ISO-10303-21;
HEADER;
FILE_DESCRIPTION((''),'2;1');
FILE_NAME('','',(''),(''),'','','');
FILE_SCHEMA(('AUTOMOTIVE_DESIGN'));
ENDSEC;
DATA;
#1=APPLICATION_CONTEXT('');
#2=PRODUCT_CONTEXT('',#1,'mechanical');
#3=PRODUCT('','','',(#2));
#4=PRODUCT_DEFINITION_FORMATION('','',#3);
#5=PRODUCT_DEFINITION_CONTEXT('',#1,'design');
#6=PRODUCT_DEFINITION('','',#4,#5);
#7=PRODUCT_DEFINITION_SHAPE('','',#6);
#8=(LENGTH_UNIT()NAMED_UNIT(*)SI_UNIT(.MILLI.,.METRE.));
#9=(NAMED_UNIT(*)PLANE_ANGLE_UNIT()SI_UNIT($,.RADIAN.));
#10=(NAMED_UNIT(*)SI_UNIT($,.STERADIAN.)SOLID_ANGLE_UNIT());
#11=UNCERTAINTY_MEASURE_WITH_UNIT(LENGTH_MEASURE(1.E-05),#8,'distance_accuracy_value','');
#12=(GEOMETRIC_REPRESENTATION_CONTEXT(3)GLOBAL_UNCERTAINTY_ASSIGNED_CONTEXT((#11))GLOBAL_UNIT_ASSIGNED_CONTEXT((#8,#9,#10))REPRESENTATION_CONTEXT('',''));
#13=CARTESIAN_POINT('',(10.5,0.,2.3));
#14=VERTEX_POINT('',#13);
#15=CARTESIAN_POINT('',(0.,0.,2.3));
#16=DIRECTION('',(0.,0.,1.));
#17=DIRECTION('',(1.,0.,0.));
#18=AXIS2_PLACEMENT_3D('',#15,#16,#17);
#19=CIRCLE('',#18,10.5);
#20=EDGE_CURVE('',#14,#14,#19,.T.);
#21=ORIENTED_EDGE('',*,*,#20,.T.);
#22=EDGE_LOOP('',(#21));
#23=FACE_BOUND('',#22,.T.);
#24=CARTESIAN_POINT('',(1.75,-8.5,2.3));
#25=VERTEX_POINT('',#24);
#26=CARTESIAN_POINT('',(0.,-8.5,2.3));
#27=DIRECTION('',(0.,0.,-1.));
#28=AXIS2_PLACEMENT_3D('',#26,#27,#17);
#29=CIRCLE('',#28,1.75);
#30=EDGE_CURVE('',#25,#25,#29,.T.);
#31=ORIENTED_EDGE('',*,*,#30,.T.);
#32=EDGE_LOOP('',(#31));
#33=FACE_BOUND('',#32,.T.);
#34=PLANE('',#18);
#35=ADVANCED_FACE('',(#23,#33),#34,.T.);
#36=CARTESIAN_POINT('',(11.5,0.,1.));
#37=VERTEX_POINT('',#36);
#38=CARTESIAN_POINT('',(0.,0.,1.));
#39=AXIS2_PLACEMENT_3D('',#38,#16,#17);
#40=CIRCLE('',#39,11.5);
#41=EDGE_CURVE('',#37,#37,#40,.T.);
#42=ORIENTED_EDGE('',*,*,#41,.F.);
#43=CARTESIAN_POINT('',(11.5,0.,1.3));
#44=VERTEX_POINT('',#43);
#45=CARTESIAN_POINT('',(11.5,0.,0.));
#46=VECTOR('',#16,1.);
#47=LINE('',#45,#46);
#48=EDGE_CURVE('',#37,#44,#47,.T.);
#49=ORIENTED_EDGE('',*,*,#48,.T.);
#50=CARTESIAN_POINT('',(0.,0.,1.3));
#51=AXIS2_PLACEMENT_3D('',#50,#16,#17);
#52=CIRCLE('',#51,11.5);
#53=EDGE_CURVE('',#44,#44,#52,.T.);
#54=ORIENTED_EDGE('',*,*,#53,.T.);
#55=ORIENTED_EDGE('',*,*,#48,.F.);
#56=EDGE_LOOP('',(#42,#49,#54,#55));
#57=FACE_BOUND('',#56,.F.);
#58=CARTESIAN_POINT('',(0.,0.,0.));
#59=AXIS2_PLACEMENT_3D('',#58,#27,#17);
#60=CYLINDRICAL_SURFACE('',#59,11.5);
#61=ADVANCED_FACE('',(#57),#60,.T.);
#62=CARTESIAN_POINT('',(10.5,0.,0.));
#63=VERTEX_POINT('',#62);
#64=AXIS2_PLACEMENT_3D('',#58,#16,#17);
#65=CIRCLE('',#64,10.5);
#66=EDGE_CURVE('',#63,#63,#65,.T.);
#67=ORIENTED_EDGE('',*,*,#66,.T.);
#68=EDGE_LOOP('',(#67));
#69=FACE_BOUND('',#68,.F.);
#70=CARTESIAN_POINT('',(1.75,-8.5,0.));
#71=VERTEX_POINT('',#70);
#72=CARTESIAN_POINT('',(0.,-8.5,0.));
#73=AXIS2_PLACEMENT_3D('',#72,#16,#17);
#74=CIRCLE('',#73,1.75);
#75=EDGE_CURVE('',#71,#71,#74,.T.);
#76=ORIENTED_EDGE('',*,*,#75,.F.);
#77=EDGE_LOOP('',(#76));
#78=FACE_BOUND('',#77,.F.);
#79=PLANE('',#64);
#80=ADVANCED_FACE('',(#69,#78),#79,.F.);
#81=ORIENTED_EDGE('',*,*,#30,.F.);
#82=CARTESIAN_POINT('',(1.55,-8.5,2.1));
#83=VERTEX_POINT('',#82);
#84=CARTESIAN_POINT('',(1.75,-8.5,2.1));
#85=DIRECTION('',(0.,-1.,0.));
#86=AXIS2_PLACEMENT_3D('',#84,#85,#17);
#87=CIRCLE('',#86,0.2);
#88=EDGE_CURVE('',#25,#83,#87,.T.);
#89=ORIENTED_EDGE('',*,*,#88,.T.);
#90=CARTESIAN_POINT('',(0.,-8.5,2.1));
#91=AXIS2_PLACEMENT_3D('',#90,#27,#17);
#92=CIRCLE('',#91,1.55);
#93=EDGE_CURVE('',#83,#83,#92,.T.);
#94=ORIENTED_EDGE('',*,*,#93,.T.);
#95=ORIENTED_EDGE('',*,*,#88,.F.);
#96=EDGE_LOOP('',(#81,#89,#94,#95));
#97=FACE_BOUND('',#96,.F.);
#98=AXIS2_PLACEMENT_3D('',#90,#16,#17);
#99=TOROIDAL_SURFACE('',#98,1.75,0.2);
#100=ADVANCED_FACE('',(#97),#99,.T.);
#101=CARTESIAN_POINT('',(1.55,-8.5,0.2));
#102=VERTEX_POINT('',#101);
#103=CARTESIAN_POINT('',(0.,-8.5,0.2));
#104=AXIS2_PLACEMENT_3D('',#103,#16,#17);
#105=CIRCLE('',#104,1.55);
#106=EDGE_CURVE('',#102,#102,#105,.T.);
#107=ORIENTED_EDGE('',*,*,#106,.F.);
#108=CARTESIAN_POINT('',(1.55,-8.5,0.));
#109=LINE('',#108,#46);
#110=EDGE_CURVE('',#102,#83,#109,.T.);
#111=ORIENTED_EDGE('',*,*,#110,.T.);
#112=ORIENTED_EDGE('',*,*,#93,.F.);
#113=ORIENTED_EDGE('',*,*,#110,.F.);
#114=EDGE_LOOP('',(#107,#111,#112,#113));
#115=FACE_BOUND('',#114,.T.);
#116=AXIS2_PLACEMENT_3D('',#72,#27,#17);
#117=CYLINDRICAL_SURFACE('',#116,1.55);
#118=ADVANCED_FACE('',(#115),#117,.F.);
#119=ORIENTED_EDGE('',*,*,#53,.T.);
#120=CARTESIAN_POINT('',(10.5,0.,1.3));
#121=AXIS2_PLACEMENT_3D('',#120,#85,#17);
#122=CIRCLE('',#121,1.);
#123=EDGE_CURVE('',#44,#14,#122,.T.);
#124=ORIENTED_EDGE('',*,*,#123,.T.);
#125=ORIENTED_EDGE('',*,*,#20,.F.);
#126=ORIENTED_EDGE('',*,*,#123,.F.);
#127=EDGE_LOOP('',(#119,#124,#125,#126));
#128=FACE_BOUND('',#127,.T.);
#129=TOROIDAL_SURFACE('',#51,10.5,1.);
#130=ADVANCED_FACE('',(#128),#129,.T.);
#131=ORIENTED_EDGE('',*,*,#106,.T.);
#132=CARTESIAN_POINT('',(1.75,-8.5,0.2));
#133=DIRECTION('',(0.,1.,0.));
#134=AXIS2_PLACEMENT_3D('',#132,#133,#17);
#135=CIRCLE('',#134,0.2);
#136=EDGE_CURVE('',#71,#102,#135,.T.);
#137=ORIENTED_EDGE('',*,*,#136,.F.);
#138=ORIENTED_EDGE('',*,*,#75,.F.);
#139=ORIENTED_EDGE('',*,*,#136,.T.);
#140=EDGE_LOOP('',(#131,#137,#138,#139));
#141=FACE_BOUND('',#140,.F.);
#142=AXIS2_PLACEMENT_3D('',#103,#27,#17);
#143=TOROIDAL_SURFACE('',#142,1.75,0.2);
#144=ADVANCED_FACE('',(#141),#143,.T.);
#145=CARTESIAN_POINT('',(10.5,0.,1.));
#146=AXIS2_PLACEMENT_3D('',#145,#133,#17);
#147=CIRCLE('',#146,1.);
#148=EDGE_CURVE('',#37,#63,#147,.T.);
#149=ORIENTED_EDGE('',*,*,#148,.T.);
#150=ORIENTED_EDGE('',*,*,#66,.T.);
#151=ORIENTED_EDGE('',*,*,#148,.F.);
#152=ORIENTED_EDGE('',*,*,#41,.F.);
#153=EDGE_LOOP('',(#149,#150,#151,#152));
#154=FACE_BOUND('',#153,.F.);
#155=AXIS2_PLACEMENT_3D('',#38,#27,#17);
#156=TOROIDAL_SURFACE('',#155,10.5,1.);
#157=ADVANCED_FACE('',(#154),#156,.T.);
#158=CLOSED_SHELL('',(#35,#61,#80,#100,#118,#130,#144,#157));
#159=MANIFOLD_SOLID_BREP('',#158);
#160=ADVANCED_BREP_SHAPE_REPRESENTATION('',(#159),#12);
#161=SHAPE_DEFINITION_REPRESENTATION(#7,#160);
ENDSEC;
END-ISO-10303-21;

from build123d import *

# Parameters (mm, degrees)
F0_R     = 11.5
F2_DEPTH = 2.3
F1_R     = 1.55
F3_DEPTH = 25
F4_R     = 1
F5_R     = 0.2


with BuildPart() as f2:
    # F0 (on Top) → F2 (new body)
    with BuildSketch(Plane.XY):
        Circle(F0_R)
    extrude(amount=F2_DEPTH)

    # F1 (on Top) → F3 (cut)
    with BuildSketch(Plane.XY):
        with Locations((0, -8.5)):
            Circle(F1_R)
    extrude(amount=F3_DEPTH, mode=Mode.SUBTRACT)

    # F4
    f4_edges = [f2.edges().sort_by_distance(p)[0] for p in [
        (-11.5, 0, 2.3),
        (-11.5, 0, 0),
    ]]
    fillet(f4_edges, radius=F4_R)

    # F5
    f5_edges = [f2.edges().sort_by_distance(p)[0] for p in [
        (-10.5, 0, 2.3),
        (-1.55, -8.5, 2.3),
        (-1.55, -8.5, 0),
    ]]
    fillet(f5_edges, radius=F5_R)


solid = f2.part
